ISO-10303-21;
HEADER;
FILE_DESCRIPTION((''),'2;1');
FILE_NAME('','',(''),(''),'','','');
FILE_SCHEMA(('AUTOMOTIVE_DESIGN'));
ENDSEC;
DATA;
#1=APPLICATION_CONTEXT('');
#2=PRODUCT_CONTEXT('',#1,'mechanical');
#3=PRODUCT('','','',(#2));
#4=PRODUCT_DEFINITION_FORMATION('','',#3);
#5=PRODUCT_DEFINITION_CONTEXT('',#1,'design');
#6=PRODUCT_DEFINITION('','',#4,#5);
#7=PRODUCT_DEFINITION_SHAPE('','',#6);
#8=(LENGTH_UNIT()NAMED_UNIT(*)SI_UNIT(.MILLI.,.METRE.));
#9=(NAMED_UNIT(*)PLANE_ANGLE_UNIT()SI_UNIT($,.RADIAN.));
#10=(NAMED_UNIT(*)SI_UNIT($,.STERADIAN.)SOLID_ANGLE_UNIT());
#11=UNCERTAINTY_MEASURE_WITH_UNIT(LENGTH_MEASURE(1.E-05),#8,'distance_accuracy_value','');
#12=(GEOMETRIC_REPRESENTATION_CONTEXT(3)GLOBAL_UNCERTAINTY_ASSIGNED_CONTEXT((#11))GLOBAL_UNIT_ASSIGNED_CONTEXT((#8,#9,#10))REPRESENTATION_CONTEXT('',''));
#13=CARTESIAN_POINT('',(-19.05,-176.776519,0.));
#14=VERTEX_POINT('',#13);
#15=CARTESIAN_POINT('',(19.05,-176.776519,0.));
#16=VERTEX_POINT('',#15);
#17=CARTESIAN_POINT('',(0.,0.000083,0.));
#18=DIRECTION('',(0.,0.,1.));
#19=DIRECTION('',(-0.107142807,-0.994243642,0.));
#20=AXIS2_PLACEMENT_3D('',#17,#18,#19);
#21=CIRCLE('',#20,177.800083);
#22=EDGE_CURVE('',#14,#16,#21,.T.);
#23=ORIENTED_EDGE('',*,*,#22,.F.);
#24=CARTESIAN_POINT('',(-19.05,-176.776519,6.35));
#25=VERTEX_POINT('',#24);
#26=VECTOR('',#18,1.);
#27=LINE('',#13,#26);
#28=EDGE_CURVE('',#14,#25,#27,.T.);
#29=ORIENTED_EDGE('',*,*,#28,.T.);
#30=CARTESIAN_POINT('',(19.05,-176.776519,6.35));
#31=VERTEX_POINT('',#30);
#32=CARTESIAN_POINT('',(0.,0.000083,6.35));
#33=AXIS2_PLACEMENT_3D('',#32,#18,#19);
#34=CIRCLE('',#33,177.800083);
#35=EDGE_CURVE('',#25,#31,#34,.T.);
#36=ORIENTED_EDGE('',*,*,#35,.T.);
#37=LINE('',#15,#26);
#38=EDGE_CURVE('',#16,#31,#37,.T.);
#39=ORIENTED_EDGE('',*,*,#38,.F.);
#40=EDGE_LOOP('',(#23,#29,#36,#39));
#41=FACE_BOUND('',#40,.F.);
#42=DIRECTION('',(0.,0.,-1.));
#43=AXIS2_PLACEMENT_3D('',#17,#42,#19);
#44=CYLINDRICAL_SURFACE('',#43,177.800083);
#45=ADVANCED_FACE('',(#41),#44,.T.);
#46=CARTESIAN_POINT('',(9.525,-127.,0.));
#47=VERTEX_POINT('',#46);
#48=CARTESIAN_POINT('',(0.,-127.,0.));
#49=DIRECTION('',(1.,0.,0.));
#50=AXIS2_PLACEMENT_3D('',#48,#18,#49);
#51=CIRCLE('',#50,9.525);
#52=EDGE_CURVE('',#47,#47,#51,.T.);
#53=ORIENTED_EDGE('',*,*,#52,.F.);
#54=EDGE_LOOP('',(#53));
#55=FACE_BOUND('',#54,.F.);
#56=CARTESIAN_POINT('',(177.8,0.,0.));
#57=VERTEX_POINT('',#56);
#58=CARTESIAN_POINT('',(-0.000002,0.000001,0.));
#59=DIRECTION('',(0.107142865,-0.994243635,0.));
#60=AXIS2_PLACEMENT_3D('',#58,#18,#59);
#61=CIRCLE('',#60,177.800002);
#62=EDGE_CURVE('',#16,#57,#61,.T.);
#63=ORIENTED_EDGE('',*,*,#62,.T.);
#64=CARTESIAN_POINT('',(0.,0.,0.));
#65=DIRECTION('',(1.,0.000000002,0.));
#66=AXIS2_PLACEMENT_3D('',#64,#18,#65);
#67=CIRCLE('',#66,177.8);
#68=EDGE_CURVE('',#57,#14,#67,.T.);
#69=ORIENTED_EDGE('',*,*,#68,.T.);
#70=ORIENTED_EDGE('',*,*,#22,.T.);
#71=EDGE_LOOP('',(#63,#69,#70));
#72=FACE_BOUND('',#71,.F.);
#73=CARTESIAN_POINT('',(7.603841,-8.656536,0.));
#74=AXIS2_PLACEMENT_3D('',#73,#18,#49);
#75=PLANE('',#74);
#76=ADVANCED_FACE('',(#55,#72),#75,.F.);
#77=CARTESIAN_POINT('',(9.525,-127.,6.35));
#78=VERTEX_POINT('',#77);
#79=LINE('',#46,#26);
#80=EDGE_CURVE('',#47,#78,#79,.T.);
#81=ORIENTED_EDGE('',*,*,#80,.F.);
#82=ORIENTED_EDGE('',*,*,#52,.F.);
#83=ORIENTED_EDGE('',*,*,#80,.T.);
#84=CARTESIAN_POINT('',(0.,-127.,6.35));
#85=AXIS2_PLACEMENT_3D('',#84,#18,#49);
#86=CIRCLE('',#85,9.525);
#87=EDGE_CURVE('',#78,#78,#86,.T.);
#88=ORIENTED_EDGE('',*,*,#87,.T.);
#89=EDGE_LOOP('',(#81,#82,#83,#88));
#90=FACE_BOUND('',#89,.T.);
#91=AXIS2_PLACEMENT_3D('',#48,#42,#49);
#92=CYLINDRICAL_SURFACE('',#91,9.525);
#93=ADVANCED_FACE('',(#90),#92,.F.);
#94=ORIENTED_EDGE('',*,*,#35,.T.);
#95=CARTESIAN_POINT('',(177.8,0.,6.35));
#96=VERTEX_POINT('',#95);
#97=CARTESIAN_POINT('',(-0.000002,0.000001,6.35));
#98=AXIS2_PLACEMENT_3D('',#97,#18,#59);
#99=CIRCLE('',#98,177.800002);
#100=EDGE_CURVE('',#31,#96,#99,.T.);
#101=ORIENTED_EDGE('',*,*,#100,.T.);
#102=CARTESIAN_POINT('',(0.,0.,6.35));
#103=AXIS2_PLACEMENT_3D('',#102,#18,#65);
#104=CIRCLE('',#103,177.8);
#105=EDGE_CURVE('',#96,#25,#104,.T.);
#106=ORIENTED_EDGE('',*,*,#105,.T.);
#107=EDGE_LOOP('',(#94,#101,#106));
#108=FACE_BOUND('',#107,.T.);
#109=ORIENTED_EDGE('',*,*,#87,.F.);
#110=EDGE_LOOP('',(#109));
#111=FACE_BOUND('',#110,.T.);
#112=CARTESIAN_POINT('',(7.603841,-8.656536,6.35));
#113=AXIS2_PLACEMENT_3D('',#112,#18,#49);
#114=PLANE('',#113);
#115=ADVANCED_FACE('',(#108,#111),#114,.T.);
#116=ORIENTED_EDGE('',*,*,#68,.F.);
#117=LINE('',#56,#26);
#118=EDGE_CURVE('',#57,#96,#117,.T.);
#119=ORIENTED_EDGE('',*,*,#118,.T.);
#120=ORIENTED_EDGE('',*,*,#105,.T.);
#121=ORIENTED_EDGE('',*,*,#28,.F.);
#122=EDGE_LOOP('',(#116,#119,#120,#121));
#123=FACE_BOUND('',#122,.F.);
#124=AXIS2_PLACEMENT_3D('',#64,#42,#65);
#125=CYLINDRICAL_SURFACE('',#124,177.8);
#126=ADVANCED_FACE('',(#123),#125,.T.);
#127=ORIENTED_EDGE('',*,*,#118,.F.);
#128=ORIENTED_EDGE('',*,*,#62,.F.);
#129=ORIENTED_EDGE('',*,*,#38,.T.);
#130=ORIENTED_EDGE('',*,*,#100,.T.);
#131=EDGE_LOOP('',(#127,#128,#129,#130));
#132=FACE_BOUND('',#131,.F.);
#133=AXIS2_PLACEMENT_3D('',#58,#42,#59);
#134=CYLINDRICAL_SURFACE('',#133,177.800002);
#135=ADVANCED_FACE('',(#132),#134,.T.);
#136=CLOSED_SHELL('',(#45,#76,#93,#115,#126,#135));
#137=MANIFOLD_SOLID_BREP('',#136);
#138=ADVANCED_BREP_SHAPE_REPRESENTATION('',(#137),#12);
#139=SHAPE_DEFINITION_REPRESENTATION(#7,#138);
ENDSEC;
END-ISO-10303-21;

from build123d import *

# Parameters (mm, degrees)
F0_R     = 9.525
F1_DEPTH = 6.35
F2_DEPTH = 6.35


with BuildPart() as f1:
    # F0 (on Top) → F1 (new body)
    with BuildSketch(Plane.XY):
        with BuildLine():
            ThreePointArc((19.05, -176.776519), (132.287433, -118.797622), (177.8, 0))
            ThreePointArc((177.8, 0), (-118.797622, 132.287433), (-19.05, -176.776519))
            ThreePointArc((-19.05, -176.776519), (0, -177.8), (19.05, -176.776519))
        make_face()
        with Locations((0, -127)):
            Circle(F0_R, mode=Mode.SUBTRACT)
    extrude(amount=F1_DEPTH)

    # F0 (on Top) → F2 (join)
    with BuildSketch(Plane.XY):
        with BuildLine():
            ThreePointArc((19.05, -176.776519), (132.287433, -118.797622), (177.8, 0))
            ThreePointArc((177.8, 0), (-118.797622, 132.287433), (-19.05, -176.776519))
            ThreePointArc((-19.05, -176.776519), (0, -177.8), (19.05, -176.776519))
        make_face()
        with Locations((0, -127)):
            Circle(F0_R, mode=Mode.SUBTRACT)
    extrude(amount=F2_DEPTH)


solid = f1.part
